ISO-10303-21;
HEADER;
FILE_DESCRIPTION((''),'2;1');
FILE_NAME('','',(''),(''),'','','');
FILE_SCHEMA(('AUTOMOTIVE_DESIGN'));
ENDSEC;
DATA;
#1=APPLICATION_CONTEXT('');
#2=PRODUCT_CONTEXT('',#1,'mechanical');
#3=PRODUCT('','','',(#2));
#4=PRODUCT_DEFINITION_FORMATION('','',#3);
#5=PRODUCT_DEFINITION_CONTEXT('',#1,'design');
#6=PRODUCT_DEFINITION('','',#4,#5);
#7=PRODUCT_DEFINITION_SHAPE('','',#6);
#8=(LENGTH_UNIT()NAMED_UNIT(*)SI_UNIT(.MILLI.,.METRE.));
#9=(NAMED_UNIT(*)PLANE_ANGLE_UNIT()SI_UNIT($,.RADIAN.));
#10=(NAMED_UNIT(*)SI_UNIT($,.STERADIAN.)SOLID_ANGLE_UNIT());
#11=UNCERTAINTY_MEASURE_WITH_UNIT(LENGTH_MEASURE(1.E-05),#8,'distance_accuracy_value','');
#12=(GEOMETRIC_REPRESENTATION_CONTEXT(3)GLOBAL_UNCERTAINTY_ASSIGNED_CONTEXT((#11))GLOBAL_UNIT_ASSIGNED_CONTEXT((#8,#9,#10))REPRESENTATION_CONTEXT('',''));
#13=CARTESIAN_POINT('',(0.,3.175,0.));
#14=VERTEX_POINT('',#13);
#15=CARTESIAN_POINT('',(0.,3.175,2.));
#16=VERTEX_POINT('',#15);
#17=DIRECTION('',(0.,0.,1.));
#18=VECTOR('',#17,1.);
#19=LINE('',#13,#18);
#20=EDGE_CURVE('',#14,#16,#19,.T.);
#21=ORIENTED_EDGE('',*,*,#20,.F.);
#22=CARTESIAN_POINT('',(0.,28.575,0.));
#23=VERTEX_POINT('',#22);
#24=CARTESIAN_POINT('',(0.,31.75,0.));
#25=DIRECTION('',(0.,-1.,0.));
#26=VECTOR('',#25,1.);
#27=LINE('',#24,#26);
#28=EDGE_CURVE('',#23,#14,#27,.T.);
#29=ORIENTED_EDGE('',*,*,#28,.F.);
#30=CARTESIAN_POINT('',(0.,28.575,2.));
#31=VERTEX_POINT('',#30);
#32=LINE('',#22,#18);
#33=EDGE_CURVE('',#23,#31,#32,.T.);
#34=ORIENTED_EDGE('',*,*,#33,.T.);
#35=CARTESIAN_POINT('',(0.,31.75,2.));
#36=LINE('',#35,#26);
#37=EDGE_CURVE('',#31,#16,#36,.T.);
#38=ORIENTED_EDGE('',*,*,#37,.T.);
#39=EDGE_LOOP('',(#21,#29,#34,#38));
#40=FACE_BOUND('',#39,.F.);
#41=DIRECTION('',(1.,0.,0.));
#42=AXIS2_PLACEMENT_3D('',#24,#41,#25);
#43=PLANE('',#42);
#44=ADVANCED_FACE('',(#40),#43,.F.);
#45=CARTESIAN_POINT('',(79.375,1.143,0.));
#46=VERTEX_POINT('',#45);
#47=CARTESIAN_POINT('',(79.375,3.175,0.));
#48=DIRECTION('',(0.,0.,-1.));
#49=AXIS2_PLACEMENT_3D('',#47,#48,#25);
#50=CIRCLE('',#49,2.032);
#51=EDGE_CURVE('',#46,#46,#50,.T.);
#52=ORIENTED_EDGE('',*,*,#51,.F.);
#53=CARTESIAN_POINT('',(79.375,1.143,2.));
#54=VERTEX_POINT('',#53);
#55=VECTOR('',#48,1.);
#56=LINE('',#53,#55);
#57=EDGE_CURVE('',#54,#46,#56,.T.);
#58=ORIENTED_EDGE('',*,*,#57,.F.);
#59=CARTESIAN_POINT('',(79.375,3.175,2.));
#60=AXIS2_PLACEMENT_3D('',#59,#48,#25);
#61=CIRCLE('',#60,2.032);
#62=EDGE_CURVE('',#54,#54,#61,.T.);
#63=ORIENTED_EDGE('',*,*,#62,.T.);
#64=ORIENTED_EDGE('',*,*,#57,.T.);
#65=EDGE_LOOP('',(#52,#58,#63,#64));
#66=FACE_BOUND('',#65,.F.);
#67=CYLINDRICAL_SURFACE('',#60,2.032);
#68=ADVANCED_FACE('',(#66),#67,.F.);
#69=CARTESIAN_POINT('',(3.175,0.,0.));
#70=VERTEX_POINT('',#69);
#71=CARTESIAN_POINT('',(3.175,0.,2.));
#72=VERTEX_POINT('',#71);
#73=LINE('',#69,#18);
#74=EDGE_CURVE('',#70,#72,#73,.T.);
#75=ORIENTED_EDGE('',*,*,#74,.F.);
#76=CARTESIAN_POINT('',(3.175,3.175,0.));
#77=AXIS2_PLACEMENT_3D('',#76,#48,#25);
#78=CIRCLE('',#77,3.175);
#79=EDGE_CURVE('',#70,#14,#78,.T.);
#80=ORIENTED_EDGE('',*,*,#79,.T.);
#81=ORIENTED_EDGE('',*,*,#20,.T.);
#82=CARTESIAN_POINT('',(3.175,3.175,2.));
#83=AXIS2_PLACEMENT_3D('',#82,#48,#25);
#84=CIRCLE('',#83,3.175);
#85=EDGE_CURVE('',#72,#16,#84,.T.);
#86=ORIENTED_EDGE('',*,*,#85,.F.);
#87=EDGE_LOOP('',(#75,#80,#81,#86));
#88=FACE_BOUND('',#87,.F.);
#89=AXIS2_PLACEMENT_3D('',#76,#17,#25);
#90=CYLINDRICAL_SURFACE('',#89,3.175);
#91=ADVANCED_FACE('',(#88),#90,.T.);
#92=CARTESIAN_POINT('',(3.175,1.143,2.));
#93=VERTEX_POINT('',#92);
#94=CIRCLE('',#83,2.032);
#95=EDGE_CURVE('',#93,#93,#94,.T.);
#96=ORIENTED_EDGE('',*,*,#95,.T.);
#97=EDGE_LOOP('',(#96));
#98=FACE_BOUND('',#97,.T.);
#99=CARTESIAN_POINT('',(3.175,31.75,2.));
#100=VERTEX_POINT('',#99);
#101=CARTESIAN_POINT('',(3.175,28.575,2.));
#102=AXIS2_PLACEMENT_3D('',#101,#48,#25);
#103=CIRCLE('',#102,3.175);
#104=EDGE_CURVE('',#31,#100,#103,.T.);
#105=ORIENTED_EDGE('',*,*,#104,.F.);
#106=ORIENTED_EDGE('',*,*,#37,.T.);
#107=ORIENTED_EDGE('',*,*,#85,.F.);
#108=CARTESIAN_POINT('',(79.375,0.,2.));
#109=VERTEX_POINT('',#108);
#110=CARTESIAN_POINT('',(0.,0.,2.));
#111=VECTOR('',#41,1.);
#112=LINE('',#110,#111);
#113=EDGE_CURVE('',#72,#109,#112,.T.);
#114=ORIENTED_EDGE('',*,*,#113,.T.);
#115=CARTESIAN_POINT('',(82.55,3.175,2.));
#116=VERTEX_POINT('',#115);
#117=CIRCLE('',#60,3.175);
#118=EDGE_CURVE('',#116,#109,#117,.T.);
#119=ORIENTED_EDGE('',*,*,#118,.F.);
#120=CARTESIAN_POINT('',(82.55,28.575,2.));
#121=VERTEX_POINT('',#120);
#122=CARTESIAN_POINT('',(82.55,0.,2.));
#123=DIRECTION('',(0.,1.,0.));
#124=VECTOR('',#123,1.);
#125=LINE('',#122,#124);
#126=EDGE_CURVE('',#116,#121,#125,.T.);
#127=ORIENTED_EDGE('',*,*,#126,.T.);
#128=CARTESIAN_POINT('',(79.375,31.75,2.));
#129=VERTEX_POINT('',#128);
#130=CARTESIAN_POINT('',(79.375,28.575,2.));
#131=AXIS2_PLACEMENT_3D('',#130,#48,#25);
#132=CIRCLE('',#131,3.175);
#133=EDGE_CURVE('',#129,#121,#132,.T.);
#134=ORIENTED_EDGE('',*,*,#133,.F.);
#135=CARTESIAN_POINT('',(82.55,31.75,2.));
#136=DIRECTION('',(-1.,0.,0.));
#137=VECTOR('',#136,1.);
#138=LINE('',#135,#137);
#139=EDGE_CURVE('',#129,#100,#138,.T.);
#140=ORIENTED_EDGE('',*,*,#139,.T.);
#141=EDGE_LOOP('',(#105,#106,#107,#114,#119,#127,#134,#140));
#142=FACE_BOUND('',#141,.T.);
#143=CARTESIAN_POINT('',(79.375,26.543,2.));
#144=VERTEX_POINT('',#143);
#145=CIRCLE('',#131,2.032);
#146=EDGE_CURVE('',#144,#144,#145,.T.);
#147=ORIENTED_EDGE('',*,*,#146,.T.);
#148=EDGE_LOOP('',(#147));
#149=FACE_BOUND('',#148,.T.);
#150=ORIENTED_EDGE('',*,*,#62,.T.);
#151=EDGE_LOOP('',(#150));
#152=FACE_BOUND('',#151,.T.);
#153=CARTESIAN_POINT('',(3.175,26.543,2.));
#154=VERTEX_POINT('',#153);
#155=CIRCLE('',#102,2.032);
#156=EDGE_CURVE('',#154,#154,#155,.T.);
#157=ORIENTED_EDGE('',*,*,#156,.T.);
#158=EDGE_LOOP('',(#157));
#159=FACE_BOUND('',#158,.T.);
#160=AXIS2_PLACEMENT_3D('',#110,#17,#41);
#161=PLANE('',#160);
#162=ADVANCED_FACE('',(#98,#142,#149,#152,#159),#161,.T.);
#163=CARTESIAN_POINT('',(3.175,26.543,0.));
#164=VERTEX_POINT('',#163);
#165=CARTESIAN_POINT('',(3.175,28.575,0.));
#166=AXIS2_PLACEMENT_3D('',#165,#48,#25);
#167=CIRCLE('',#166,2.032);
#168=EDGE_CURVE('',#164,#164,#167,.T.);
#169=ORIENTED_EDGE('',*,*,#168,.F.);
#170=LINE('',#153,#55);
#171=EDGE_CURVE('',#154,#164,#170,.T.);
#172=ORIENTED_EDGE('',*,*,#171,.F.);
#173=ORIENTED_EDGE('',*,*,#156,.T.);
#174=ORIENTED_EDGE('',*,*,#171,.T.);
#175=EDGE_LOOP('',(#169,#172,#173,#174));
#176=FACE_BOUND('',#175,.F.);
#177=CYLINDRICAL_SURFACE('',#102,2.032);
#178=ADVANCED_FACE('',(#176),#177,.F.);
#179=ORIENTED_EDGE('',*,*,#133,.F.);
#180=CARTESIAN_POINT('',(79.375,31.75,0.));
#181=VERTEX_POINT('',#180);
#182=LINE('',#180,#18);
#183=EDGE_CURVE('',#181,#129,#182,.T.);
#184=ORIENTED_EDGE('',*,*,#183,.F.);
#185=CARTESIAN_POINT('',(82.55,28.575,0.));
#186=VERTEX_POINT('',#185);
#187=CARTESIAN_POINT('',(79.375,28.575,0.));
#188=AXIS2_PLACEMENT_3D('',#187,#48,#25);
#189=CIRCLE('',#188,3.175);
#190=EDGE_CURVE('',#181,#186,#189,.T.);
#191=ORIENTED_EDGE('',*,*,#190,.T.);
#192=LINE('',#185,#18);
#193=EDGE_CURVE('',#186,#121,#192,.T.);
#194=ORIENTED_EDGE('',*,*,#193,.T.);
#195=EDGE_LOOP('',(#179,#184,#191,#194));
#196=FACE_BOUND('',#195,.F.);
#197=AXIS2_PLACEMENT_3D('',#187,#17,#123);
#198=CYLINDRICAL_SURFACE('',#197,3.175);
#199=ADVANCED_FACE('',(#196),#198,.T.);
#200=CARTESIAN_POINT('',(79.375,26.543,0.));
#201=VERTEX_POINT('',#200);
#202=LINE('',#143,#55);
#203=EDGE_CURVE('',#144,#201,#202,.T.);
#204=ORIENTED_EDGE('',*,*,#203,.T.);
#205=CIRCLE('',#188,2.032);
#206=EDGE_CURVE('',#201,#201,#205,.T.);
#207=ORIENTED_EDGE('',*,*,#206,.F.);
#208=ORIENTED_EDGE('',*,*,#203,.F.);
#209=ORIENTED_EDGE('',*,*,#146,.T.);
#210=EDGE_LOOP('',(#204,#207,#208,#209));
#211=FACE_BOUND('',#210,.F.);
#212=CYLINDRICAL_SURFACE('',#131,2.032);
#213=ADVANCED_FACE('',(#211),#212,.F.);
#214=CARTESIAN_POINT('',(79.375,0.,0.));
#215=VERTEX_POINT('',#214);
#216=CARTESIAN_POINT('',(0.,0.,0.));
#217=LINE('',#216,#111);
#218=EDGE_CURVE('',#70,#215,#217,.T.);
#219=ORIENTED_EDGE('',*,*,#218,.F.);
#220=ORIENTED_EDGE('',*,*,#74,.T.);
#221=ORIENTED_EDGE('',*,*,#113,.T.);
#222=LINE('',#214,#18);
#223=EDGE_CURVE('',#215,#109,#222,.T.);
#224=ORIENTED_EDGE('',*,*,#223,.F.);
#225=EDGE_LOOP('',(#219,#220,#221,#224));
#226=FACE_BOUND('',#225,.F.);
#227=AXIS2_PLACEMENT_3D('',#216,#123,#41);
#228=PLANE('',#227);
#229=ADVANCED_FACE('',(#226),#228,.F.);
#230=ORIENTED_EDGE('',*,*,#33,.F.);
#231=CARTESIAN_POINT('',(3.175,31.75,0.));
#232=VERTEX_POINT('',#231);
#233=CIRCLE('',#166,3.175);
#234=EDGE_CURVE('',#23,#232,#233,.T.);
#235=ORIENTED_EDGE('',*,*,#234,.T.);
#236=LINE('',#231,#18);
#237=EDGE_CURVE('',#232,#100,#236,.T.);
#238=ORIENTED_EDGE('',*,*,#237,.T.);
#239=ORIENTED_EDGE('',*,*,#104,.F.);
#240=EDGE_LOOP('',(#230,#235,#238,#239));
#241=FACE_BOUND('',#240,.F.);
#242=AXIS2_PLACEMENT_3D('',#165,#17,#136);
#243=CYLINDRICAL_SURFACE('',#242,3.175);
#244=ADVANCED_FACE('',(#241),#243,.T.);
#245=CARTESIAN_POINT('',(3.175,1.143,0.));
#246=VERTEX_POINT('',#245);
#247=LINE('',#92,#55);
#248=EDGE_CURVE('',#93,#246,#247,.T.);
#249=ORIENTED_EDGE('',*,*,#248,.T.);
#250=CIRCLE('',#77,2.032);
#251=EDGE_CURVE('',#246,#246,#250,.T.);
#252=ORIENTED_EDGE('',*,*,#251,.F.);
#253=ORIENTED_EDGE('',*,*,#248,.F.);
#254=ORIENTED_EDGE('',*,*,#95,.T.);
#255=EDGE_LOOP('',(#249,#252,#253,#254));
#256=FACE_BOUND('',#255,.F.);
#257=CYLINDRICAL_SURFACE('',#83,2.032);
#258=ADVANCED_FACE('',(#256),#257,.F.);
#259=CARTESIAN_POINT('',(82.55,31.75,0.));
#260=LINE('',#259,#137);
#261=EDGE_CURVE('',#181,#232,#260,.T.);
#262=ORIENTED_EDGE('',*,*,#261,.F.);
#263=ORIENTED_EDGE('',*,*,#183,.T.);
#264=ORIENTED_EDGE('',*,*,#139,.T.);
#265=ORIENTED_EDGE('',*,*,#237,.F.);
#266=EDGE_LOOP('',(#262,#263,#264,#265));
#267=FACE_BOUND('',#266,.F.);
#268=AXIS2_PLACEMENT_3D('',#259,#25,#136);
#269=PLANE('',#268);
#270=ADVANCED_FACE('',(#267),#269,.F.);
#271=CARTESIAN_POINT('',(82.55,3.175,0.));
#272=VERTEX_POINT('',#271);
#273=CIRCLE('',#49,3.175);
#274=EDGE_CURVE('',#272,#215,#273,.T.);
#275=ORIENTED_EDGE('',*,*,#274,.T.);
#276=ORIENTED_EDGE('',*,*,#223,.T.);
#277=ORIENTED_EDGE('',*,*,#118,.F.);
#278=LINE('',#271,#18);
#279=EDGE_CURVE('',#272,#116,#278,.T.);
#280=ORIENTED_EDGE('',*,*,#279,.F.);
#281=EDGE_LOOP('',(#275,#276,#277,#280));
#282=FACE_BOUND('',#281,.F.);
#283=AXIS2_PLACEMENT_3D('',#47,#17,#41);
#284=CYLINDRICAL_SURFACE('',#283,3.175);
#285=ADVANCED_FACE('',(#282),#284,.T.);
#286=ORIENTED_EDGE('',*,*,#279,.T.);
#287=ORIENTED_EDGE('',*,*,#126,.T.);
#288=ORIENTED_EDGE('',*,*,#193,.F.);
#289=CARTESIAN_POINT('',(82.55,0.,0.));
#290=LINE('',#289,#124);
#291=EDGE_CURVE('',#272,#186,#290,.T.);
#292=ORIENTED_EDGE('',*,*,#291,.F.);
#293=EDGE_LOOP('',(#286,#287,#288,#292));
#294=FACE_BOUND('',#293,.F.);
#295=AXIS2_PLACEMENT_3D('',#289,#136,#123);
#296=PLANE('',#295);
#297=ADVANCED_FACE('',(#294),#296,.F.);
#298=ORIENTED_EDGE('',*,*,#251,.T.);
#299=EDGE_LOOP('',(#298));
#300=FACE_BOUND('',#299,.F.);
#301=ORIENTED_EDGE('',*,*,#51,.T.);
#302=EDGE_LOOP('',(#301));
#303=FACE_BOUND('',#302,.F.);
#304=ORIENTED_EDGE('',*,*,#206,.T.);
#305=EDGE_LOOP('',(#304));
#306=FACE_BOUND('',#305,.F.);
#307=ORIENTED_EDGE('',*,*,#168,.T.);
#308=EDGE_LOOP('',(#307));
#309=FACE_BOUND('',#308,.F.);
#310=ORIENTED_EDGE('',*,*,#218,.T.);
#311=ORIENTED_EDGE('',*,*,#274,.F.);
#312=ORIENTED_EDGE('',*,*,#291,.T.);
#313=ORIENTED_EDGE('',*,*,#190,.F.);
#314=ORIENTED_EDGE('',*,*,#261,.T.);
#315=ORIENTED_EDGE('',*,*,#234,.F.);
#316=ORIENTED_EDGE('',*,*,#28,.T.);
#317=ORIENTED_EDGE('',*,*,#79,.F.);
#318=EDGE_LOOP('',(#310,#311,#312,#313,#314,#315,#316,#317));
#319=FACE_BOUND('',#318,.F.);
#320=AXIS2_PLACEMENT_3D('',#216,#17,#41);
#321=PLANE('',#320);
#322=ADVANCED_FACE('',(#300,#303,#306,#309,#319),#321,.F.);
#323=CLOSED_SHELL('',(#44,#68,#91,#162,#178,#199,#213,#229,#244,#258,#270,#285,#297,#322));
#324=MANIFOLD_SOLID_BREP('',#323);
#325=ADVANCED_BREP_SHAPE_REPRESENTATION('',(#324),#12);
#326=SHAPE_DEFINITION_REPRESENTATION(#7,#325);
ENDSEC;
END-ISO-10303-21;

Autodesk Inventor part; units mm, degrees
ref_plane "YZ Plane" through (0, 0, 0) normal (1, 0, 0) x (0, 1, 0)
ref_plane "XZ Plane" through (0, 0, 0) normal (0, 1, 0) x (-1, 0, 0)
ref_plane "XY Plane" through (0, 0, 0) normal (0, 0, 1) x (1, 0, 0)
sketch "Sketch1" plane through (0, 0, 0) normal (0, 0, 1) x (1, 0, 0)
  line L0 (0, 0) -> (82.55, 0)
  line L1 (82.55, 0) -> (82.55, 31.75)
  line L2 (82.55, 31.75) -> (0, 31.75)
  line L3 (0, 31.75) -> (0, 0)
  dimension "d0" = 82.55
  dimension "d1" = 31.75
extrude "Extrusion1" add sketch "Sketch1" along normal blind 2
fillet "Fillet1" radius 3.175 1 edges at (0, 31.75, 1)
fillet "Fillet2" radius 3.175 1 edges at (82.55, 31.75, 1)
fillet "Fillet3" radius 3.175 1 edges at (82.55, 0, 1)
fillet "Fillet4" radius 3.175 1 edges at (0, 0, 1)
sketch "Sketch2" plane through (0, 0, 2) normal (0, 0, 1) x (1, 0, 0)
  circle A0 centre (3.175, 3.175) radius 2.032
  arc A1 (0, 3.175) -> (3.175, 0) centre (3.175, 3.175) ccw projected
  line L0 (3.175, 0) -> (79.375, 0) projected
  arc A2 (79.375, 0) -> (82.55, 3.175) centre (79.375, 3.175) ccw projected
  line L1 (82.55, 3.175) -> (82.55, 28.575) projected
  arc A3 (82.55, 28.575) -> (79.375, 31.75) centre (79.375, 28.575) ccw projected
  line L2 (79.375, 31.75) -> (3.175, 31.75) projected
  arc A4 (3.175, 31.75) -> (0, 28.575) centre (3.175, 28.575) ccw projected
  line L3 (0, 28.575) -> (0, 3.175) projected
  point P0 (0, 0)
  dimension "d8" = 4.064
  dimension "d23" = 25.4
  dimension "d25" = 76.2
hole "Hole1" at (3.175, 3.175, 2) direction (0, 0, -1) diameter 4.064 end through all
sketch "Sketch7" plane through (0, 0, 2) normal (0, 0, 1) x (1, 0, 0)
  circle A0 centre (3.175, 3.175) radius 2.032 projected
  circle A1 centre (3.175, 3.175) radius 2.032 projected
  arc A2 (0, 3.175) -> (3.175, 0) centre (3.175, 3.175) ccw projected
  line L0 (3.175, 0) -> (79.375, 0) projected
  arc A3 (79.375, 0) -> (82.55, 3.175) centre (79.375, 3.175) ccw projected
  line L1 (82.55, 3.175) -> (82.55, 28.575) projected
  arc A4 (82.55, 28.575) -> (79.375, 31.75) centre (79.375, 28.575) ccw projected
  line L2 (79.375, 31.75) -> (3.175, 31.75) projected
  arc A5 (3.175, 31.75) -> (0, 28.575) centre (3.175, 28.575) ccw projected
  line L3 (0, 28.575) -> (0, 3.175) projected
  circle A6 centre (3.175, 28.575) radius 2.032
  point P0 (0, 0)
  dimension "d28" = 4.064
hole "Hole2" at (3.175, 28.575, 2) direction (0, 0, -1) diameter 4.064 end through all
sketch "Sketch8" plane through (0, 0, 2) normal (0, 0, 1) x (1, 0, 0)
  circle A0 centre (3.175, 3.175) radius 2.032 projected
  circle A1 centre (3.175, 28.575) radius 2.032 projected
  circle A2 centre (3.175, 3.175) radius 2.032 projected
  arc A3 (0, 3.175) -> (3.175, 0) centre (3.175, 3.175) ccw projected
  line L0 (3.175, 0) -> (79.375, 0) projected
  arc A4 (79.375, 0) -> (82.55, 3.175) centre (79.375, 3.175) ccw projected
  line L1 (82.55, 3.175) -> (82.55, 28.575) projected
  arc A5 (82.55, 28.575) -> (79.375, 31.75) centre (79.375, 28.575) ccw projected
  line L2 (79.375, 31.75) -> (3.175, 31.75) projected
  arc A6 (3.175, 31.75) -> (0, 28.575) centre (3.175, 28.575) ccw projected
  line L3 (0, 28.575) -> (0, 3.175) projected
  circle A7 centre (79.375, 28.575) radius 2.032
  point P0 (0, 0)
  dimension "d36" = 4.064
hole "Hole3" at (79.375, 28.575, 2) direction (0, 0, -1) diameter 4.064 end through all
sketch "Sketch9" plane through (0, 0, 2) normal (0, 0, 1) x (1, 0, 0)
  circle A0 centre (3.175, 3.175) radius 2.032 projected
  circle A1 centre (79.375, 28.575) radius 2.032 projected
  circle A2 centre (3.175, 28.575) radius 2.032 projected
  circle A3 centre (3.175, 3.175) radius 2.032 projected
  arc A4 (0, 3.175) -> (3.175, 0) centre (3.175, 3.175) ccw projected
  line L0 (3.175, 0) -> (79.375, 0) projected
  arc A5 (79.375, 0) -> (82.55, 3.175) centre (79.375, 3.175) ccw projected
  line L1 (82.55, 3.175) -> (82.55, 28.575) projected
  arc A6 (82.55, 28.575) -> (79.375, 31.75) centre (79.375, 28.575) ccw projected
  line L2 (79.375, 31.75) -> (3.175, 31.75) projected
  arc A7 (3.175, 31.75) -> (0, 28.575) centre (3.175, 28.575) ccw projected
  line L3 (0, 28.575) -> (0, 3.175) projected
  circle A8 centre (79.375, 3.175) radius 2.032
  point P0 (0, 0)
  dimension "d44" = 4.064
hole "Hole4" at (79.375, 3.175, 2) direction (0, 0, -1) diameter 4.064 end through all
properties part number "I6ABreakout"
